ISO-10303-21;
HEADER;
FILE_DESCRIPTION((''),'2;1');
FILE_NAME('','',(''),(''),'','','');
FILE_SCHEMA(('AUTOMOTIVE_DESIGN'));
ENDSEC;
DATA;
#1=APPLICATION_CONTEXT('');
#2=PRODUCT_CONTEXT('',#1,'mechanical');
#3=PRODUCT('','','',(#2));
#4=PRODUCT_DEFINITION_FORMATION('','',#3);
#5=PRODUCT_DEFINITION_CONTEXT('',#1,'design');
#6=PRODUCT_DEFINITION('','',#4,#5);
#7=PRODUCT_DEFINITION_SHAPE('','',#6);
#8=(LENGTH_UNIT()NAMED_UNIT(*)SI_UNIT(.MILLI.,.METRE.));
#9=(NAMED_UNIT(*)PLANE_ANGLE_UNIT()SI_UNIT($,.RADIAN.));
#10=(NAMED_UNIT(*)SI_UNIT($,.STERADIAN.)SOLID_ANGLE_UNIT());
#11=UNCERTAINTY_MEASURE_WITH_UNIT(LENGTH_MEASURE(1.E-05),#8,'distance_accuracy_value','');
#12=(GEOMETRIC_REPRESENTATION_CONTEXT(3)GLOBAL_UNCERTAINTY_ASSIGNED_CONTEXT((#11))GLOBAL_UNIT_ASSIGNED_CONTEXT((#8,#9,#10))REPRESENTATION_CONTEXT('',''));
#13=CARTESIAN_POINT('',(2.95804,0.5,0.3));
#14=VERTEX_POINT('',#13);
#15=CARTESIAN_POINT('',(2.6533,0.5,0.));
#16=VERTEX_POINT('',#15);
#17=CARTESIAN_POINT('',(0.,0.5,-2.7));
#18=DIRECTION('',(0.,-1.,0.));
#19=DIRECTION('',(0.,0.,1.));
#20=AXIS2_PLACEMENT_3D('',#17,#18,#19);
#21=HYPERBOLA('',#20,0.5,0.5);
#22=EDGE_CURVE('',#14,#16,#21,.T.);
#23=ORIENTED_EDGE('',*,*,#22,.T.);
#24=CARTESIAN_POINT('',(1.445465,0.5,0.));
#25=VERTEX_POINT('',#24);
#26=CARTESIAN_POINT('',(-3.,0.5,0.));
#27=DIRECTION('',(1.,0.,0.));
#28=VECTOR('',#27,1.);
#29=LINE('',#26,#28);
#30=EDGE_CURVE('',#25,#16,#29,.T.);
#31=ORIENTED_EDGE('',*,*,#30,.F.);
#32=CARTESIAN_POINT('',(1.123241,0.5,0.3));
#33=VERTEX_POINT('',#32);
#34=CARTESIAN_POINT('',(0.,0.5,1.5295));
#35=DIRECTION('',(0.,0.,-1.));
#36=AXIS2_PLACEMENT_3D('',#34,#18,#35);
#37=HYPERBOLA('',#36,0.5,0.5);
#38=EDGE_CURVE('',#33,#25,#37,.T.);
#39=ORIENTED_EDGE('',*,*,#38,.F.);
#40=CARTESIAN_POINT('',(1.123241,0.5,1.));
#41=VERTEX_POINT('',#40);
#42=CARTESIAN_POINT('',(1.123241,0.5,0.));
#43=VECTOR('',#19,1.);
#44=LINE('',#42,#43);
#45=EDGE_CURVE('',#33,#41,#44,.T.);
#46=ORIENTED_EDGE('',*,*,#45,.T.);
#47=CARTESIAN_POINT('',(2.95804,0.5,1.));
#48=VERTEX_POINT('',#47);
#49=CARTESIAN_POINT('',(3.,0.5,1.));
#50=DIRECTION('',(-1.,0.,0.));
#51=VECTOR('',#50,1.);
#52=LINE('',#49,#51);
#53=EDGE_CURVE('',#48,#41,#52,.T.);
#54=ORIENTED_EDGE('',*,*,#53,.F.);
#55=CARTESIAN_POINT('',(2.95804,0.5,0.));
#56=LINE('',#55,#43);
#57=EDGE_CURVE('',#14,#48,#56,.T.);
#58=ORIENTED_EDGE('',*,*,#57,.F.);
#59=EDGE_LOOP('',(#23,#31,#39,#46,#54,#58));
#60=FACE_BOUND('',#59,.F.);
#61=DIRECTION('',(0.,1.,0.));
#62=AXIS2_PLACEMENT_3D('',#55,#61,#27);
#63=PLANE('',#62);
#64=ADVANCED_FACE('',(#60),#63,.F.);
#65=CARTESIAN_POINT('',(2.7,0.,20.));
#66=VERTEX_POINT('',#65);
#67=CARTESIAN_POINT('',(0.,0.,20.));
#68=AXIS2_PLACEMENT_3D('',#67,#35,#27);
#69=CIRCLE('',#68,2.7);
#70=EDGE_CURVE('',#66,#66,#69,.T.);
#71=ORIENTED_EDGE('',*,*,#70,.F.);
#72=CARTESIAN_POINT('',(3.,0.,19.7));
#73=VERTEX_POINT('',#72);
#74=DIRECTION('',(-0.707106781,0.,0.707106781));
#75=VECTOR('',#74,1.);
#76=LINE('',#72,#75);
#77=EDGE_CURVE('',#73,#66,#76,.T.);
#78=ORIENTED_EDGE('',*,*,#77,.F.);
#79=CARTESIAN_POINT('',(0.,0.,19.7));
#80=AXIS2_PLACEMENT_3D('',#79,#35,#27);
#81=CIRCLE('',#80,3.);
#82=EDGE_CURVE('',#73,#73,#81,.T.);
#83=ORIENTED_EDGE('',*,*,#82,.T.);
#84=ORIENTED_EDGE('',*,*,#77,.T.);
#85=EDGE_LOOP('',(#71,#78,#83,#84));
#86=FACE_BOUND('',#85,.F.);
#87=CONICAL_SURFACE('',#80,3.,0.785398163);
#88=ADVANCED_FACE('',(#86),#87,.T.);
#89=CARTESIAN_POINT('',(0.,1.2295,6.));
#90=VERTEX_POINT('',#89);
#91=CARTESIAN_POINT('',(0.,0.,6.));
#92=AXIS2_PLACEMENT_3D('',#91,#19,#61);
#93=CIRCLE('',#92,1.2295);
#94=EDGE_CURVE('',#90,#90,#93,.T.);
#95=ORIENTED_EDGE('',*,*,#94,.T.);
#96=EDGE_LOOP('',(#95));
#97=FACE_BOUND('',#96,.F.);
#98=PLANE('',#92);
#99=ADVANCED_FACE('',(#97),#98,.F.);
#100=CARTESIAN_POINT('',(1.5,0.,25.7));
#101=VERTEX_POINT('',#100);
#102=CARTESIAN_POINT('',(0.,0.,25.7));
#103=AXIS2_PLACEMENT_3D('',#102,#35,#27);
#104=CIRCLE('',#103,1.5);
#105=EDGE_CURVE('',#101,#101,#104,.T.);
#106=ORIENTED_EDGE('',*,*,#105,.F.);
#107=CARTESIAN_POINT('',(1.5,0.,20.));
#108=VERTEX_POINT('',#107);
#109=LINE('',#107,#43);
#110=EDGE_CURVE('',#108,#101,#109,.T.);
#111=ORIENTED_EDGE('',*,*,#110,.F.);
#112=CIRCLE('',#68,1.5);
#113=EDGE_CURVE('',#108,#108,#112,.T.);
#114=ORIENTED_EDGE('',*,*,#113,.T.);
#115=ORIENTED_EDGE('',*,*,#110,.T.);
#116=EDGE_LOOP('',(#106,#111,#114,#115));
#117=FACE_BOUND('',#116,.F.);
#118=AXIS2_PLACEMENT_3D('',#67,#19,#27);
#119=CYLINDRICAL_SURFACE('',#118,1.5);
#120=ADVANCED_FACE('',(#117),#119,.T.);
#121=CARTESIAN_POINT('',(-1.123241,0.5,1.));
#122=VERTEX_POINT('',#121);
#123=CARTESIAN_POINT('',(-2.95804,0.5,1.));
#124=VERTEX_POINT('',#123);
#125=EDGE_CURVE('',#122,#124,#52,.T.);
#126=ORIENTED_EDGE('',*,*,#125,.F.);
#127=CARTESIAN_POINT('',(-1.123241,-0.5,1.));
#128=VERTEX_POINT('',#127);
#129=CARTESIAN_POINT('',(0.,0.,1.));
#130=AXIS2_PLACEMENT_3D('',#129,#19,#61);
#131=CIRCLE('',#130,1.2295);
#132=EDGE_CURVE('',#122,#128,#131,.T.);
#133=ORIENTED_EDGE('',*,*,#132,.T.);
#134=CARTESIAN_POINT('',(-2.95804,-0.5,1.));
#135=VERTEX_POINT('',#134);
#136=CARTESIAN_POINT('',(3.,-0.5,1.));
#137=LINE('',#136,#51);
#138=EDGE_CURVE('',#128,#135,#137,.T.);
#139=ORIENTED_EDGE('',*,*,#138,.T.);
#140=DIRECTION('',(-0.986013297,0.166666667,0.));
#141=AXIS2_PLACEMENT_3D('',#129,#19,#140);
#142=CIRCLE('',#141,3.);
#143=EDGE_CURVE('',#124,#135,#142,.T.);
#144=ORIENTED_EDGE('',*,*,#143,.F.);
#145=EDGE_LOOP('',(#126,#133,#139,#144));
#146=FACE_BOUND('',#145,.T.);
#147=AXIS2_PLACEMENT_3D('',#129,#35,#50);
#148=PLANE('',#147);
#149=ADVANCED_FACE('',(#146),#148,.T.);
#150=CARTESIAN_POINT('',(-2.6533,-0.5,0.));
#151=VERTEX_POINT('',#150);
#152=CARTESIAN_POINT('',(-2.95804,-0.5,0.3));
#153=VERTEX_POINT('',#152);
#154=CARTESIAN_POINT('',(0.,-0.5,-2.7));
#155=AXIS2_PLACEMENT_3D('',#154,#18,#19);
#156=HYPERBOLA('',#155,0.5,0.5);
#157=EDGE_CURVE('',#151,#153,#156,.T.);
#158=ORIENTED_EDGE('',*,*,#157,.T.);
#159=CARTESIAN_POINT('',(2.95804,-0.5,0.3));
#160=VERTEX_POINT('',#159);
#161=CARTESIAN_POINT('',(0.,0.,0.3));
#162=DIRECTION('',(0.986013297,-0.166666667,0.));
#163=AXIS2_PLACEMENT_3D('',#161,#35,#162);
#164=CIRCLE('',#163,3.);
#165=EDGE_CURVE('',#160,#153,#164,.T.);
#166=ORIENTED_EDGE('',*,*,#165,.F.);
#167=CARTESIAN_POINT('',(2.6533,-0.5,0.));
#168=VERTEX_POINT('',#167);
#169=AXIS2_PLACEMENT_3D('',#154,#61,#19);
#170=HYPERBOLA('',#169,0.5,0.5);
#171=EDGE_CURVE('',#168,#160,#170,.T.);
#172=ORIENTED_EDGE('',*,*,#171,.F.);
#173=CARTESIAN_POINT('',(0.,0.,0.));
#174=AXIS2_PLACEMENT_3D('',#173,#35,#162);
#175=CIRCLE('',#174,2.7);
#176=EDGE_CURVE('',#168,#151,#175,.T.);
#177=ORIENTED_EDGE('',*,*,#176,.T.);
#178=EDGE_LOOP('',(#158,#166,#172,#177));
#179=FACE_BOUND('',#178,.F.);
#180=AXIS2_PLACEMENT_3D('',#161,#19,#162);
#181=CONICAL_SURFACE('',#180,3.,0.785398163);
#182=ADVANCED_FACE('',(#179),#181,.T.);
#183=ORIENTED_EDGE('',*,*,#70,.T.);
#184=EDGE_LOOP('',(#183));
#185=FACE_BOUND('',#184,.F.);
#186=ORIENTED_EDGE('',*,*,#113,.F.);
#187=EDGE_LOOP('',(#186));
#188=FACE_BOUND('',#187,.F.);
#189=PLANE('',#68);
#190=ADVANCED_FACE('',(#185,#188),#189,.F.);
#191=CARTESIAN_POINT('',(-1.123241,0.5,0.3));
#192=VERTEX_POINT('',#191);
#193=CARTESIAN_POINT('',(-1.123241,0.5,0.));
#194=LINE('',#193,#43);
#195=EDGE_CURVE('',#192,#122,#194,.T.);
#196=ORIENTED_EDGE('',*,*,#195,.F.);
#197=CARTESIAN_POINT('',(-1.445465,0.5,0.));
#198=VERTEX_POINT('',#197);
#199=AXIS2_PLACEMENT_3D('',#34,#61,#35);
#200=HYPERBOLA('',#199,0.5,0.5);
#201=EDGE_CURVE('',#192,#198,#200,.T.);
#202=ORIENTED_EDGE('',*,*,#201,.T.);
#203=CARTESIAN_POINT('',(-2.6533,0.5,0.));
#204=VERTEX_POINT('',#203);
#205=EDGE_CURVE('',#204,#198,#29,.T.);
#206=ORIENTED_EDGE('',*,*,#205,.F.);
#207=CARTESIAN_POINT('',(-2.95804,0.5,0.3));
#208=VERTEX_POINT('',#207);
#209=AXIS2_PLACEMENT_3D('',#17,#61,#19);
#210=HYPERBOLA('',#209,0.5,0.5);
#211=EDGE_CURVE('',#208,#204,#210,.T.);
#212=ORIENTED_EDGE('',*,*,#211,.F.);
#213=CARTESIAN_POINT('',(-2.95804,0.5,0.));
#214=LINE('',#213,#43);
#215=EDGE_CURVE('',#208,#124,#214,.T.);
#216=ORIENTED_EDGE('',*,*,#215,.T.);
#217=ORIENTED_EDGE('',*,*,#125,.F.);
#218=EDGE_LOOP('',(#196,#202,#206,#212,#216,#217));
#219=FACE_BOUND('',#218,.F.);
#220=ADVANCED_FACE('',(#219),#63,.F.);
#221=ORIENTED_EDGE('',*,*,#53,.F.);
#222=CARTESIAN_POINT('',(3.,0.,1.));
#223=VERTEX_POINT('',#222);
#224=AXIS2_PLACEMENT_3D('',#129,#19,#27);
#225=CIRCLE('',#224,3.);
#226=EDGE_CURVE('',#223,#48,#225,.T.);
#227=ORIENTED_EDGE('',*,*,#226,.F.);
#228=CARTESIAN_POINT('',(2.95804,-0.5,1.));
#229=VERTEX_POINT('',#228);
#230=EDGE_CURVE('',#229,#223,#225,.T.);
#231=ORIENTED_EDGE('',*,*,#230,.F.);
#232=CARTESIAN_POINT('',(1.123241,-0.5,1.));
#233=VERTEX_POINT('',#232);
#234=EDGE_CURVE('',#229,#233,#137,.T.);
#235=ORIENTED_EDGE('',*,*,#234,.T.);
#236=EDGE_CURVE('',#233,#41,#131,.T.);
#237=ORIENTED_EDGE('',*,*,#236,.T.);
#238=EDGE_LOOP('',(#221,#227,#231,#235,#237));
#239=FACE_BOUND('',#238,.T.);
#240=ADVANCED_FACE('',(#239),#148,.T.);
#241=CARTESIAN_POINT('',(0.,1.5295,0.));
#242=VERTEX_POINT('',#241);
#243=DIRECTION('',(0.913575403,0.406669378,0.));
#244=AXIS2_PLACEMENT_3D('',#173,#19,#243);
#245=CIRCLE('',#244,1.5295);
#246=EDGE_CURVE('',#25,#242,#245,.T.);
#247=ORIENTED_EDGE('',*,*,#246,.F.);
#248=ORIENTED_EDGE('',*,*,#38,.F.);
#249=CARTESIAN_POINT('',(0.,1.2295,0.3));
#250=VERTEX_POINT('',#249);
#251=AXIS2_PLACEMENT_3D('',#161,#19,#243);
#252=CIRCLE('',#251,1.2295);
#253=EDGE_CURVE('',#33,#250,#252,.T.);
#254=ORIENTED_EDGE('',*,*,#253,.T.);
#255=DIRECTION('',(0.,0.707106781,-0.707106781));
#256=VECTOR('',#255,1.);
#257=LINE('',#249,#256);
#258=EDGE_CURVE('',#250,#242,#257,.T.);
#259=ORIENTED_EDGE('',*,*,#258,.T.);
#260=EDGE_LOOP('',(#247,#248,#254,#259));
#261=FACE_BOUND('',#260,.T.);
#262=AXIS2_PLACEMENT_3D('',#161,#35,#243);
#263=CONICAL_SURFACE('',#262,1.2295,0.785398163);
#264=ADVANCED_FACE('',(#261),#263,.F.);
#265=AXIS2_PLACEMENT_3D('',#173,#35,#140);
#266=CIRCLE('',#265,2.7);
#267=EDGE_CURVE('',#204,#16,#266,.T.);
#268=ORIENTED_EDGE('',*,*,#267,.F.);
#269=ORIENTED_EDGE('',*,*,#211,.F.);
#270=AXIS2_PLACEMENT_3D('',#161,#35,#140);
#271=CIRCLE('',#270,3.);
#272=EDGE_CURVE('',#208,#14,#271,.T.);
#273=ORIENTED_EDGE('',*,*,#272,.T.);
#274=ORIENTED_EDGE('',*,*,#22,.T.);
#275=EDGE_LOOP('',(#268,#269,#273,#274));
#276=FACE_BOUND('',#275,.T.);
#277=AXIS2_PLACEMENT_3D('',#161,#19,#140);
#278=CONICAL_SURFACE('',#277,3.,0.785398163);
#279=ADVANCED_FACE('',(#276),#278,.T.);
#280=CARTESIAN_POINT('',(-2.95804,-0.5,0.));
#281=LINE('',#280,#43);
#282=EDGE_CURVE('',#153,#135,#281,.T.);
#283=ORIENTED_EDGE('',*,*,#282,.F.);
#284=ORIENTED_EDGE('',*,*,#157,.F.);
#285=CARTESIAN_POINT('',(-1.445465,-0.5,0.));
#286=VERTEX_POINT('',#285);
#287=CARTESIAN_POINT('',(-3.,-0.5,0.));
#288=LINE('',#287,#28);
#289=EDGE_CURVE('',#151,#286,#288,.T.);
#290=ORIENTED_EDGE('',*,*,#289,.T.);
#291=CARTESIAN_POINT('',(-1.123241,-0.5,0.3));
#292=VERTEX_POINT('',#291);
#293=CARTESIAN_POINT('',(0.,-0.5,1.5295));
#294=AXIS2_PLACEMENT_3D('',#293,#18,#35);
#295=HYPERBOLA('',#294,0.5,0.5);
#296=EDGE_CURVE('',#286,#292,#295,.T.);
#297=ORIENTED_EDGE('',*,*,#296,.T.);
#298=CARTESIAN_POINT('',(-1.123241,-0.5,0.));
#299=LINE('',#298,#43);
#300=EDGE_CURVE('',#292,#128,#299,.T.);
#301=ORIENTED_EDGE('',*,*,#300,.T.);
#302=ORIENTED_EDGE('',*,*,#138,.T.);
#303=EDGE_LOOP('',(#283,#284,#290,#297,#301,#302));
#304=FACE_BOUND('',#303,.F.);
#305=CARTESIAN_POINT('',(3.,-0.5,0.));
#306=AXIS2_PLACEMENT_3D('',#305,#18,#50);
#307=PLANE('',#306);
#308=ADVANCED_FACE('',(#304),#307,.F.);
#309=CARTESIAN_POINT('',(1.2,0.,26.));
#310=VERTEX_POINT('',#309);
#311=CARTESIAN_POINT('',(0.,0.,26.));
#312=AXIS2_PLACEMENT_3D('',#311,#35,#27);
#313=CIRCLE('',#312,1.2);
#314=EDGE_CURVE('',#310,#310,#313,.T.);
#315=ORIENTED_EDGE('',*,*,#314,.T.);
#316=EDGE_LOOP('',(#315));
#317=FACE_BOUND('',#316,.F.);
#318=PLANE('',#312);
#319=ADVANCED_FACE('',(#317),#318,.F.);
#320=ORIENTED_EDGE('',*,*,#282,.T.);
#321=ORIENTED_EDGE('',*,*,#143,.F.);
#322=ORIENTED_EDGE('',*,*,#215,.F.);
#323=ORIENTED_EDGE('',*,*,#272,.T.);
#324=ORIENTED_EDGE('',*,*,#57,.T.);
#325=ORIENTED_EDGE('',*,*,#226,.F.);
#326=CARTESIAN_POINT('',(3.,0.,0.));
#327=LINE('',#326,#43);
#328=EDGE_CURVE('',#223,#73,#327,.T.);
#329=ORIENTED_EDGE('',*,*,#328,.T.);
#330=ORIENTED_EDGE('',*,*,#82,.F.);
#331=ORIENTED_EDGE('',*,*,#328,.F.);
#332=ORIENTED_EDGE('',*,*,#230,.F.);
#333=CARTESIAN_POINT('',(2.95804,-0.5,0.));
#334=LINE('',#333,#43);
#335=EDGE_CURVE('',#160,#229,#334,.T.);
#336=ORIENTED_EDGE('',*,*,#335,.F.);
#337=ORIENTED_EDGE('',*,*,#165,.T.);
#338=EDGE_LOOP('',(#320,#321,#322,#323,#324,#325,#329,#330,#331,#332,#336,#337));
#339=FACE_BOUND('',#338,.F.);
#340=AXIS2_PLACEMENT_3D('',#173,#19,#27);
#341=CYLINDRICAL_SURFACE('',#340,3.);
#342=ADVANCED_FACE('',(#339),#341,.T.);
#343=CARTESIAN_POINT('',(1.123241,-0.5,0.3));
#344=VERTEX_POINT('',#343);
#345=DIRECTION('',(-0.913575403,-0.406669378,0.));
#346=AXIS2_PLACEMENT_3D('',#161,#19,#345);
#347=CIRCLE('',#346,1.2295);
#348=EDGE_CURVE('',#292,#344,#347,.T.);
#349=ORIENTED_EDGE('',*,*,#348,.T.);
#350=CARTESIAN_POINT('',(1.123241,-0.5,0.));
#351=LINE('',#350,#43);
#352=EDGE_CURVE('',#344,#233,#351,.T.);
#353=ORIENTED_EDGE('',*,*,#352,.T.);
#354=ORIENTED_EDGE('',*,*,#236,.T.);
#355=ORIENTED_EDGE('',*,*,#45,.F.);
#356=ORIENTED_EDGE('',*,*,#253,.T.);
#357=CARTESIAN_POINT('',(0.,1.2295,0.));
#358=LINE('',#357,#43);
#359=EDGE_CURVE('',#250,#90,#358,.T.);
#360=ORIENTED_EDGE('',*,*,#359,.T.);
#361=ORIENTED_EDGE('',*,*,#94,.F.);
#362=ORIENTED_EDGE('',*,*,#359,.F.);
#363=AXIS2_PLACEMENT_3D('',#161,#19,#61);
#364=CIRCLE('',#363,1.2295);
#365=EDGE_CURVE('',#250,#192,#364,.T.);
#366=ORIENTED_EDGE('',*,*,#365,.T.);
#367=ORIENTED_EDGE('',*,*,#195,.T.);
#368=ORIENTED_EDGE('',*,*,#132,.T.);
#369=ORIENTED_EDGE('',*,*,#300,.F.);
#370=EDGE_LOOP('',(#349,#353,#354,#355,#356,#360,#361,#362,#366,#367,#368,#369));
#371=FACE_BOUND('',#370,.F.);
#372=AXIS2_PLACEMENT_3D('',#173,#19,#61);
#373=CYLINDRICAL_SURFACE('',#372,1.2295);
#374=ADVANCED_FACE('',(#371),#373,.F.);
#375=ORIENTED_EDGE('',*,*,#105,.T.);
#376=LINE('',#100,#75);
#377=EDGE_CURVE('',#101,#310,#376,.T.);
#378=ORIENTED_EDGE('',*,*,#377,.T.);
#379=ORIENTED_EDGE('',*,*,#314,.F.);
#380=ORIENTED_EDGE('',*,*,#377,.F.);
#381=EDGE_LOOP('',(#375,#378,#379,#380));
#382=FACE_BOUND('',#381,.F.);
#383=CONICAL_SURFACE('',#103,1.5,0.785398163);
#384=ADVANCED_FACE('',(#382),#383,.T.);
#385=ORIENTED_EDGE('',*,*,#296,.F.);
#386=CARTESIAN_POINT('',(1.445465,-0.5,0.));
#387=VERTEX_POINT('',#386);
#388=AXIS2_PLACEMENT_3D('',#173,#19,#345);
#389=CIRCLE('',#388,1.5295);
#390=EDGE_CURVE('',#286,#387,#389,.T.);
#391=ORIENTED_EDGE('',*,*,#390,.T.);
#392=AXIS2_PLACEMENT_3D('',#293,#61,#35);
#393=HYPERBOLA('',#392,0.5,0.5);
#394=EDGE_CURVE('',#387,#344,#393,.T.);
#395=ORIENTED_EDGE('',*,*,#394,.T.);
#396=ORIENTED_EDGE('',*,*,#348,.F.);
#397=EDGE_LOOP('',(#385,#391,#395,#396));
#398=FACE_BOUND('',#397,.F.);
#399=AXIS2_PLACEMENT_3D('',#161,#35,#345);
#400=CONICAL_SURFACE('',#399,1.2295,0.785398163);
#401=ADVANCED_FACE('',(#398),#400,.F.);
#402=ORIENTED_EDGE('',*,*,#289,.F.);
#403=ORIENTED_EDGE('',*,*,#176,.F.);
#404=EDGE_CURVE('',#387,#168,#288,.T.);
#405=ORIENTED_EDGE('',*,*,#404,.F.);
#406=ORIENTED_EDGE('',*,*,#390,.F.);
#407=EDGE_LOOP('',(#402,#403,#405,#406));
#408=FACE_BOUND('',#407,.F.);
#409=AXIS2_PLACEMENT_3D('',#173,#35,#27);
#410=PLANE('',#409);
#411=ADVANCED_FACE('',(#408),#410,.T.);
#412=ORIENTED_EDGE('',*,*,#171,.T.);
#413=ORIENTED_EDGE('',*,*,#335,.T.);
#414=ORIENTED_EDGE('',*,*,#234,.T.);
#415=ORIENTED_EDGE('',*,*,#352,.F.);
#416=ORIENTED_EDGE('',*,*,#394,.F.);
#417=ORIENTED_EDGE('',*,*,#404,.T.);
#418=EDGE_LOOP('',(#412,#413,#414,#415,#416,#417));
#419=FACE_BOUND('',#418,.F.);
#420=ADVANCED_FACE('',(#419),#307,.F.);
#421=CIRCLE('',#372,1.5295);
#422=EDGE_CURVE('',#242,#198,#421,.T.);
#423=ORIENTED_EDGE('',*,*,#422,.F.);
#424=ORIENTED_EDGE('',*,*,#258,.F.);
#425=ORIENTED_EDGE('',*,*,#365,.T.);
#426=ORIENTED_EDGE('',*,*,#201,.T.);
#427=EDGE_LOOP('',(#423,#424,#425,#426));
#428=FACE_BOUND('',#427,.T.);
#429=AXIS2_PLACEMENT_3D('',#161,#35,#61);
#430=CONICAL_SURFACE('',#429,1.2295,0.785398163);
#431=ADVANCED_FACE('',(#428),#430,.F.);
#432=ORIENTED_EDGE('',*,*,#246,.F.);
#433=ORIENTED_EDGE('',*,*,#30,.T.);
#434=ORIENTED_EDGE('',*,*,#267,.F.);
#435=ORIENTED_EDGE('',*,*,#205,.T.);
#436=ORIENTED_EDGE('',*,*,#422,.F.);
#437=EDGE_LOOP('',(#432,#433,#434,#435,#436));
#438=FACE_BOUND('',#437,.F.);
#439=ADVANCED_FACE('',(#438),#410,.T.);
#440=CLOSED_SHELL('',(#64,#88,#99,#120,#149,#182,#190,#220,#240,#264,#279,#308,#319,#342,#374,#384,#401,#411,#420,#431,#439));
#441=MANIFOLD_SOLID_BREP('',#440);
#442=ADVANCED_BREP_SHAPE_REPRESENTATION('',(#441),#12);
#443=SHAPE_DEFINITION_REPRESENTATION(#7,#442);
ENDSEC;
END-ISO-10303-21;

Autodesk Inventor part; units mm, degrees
ref_plane "YZ Plane" through (0, 0, 0) normal (1, 0, 0) x (0, 1, 0)
ref_plane "XZ Plane" through (0, 0, 0) normal (0, 1, 0) x (-1, 0, 0)
ref_plane "XY Plane" through (0, 0, 0) normal (0, 0, 1) x (1, 0, 0)
sketch "Sketch1" plane through (0, 0, 0) normal (0, 1, 0) x (-1, 0, 0)
  line L0 (0, 0) -> (-3, 0)
  line L1 (-3, 0) -> (-3, 20)
  line L2 (-3, 20) -> (-1.5, 20)
  line L3 (-1.5, 20) -> (-1.5, 26)
  line L4 (-1.5, 26) -> (0, 26)
  line L5 (0, 26) -> (0, 0)
  dimension "d1" = 6
  dimension "d2" = 20
  dimension "d3" = 3
  dimension "d4" = 6
revolve "Revolution1" add sketch "Sketch1" angle 360 about axis through (0, 0, 26) along (0, 0, -1)
sketch "Sketch2" plane through (0, 0, 0) normal (0, 0, -1) x (-1, 0, 0)
  line L0 (-3, -0.5) -> (3, -0.5)
  line L1 (3, -0.5) -> (3, 0.5)
  line L2 (3, 0.5) -> (-3, 0.5)
  line L3 (-3, 0.5) -> (-3, -0.5)
  line L4 (-3, -0.5) -> (3, 0.5) construction
  line L5 (3, -0.5) -> (-3, 0.5) construction
  circle A0 centre (0, 0) radius 3 projected
  dimension "d6" = 1
extrude "Extrusion1" cut sketch "Sketch2" against normal blind 1 contours L3 A0 L0 | A0 L2 L0 | L3 L2 A0 | A0 L1 L0 | A0 L2 L1
hole "Hole1" at (0, 0, 0) direction (0, 0, 1) diameter 2.459 depth 6 thread size "M3x0.5" class "6H" standard "ANSI Metric M Profile"
thread "Thread1" size "M3x0.5" class "6g" standard "ANSI Metric M Profile" full length
chamfer "Chamfer1" distance 0.3 angle 45 7 edges at (-3, 0, 20) (0, 3, 0) (0, -3, 0) (0, -1.2295, 0) (-0.6697, 1.0311, 0) (0.6697, 1.0311, 0) (-1.5, 0, 26)
properties part number "BRU-320S" material "Stainless Steel AISI 304"
